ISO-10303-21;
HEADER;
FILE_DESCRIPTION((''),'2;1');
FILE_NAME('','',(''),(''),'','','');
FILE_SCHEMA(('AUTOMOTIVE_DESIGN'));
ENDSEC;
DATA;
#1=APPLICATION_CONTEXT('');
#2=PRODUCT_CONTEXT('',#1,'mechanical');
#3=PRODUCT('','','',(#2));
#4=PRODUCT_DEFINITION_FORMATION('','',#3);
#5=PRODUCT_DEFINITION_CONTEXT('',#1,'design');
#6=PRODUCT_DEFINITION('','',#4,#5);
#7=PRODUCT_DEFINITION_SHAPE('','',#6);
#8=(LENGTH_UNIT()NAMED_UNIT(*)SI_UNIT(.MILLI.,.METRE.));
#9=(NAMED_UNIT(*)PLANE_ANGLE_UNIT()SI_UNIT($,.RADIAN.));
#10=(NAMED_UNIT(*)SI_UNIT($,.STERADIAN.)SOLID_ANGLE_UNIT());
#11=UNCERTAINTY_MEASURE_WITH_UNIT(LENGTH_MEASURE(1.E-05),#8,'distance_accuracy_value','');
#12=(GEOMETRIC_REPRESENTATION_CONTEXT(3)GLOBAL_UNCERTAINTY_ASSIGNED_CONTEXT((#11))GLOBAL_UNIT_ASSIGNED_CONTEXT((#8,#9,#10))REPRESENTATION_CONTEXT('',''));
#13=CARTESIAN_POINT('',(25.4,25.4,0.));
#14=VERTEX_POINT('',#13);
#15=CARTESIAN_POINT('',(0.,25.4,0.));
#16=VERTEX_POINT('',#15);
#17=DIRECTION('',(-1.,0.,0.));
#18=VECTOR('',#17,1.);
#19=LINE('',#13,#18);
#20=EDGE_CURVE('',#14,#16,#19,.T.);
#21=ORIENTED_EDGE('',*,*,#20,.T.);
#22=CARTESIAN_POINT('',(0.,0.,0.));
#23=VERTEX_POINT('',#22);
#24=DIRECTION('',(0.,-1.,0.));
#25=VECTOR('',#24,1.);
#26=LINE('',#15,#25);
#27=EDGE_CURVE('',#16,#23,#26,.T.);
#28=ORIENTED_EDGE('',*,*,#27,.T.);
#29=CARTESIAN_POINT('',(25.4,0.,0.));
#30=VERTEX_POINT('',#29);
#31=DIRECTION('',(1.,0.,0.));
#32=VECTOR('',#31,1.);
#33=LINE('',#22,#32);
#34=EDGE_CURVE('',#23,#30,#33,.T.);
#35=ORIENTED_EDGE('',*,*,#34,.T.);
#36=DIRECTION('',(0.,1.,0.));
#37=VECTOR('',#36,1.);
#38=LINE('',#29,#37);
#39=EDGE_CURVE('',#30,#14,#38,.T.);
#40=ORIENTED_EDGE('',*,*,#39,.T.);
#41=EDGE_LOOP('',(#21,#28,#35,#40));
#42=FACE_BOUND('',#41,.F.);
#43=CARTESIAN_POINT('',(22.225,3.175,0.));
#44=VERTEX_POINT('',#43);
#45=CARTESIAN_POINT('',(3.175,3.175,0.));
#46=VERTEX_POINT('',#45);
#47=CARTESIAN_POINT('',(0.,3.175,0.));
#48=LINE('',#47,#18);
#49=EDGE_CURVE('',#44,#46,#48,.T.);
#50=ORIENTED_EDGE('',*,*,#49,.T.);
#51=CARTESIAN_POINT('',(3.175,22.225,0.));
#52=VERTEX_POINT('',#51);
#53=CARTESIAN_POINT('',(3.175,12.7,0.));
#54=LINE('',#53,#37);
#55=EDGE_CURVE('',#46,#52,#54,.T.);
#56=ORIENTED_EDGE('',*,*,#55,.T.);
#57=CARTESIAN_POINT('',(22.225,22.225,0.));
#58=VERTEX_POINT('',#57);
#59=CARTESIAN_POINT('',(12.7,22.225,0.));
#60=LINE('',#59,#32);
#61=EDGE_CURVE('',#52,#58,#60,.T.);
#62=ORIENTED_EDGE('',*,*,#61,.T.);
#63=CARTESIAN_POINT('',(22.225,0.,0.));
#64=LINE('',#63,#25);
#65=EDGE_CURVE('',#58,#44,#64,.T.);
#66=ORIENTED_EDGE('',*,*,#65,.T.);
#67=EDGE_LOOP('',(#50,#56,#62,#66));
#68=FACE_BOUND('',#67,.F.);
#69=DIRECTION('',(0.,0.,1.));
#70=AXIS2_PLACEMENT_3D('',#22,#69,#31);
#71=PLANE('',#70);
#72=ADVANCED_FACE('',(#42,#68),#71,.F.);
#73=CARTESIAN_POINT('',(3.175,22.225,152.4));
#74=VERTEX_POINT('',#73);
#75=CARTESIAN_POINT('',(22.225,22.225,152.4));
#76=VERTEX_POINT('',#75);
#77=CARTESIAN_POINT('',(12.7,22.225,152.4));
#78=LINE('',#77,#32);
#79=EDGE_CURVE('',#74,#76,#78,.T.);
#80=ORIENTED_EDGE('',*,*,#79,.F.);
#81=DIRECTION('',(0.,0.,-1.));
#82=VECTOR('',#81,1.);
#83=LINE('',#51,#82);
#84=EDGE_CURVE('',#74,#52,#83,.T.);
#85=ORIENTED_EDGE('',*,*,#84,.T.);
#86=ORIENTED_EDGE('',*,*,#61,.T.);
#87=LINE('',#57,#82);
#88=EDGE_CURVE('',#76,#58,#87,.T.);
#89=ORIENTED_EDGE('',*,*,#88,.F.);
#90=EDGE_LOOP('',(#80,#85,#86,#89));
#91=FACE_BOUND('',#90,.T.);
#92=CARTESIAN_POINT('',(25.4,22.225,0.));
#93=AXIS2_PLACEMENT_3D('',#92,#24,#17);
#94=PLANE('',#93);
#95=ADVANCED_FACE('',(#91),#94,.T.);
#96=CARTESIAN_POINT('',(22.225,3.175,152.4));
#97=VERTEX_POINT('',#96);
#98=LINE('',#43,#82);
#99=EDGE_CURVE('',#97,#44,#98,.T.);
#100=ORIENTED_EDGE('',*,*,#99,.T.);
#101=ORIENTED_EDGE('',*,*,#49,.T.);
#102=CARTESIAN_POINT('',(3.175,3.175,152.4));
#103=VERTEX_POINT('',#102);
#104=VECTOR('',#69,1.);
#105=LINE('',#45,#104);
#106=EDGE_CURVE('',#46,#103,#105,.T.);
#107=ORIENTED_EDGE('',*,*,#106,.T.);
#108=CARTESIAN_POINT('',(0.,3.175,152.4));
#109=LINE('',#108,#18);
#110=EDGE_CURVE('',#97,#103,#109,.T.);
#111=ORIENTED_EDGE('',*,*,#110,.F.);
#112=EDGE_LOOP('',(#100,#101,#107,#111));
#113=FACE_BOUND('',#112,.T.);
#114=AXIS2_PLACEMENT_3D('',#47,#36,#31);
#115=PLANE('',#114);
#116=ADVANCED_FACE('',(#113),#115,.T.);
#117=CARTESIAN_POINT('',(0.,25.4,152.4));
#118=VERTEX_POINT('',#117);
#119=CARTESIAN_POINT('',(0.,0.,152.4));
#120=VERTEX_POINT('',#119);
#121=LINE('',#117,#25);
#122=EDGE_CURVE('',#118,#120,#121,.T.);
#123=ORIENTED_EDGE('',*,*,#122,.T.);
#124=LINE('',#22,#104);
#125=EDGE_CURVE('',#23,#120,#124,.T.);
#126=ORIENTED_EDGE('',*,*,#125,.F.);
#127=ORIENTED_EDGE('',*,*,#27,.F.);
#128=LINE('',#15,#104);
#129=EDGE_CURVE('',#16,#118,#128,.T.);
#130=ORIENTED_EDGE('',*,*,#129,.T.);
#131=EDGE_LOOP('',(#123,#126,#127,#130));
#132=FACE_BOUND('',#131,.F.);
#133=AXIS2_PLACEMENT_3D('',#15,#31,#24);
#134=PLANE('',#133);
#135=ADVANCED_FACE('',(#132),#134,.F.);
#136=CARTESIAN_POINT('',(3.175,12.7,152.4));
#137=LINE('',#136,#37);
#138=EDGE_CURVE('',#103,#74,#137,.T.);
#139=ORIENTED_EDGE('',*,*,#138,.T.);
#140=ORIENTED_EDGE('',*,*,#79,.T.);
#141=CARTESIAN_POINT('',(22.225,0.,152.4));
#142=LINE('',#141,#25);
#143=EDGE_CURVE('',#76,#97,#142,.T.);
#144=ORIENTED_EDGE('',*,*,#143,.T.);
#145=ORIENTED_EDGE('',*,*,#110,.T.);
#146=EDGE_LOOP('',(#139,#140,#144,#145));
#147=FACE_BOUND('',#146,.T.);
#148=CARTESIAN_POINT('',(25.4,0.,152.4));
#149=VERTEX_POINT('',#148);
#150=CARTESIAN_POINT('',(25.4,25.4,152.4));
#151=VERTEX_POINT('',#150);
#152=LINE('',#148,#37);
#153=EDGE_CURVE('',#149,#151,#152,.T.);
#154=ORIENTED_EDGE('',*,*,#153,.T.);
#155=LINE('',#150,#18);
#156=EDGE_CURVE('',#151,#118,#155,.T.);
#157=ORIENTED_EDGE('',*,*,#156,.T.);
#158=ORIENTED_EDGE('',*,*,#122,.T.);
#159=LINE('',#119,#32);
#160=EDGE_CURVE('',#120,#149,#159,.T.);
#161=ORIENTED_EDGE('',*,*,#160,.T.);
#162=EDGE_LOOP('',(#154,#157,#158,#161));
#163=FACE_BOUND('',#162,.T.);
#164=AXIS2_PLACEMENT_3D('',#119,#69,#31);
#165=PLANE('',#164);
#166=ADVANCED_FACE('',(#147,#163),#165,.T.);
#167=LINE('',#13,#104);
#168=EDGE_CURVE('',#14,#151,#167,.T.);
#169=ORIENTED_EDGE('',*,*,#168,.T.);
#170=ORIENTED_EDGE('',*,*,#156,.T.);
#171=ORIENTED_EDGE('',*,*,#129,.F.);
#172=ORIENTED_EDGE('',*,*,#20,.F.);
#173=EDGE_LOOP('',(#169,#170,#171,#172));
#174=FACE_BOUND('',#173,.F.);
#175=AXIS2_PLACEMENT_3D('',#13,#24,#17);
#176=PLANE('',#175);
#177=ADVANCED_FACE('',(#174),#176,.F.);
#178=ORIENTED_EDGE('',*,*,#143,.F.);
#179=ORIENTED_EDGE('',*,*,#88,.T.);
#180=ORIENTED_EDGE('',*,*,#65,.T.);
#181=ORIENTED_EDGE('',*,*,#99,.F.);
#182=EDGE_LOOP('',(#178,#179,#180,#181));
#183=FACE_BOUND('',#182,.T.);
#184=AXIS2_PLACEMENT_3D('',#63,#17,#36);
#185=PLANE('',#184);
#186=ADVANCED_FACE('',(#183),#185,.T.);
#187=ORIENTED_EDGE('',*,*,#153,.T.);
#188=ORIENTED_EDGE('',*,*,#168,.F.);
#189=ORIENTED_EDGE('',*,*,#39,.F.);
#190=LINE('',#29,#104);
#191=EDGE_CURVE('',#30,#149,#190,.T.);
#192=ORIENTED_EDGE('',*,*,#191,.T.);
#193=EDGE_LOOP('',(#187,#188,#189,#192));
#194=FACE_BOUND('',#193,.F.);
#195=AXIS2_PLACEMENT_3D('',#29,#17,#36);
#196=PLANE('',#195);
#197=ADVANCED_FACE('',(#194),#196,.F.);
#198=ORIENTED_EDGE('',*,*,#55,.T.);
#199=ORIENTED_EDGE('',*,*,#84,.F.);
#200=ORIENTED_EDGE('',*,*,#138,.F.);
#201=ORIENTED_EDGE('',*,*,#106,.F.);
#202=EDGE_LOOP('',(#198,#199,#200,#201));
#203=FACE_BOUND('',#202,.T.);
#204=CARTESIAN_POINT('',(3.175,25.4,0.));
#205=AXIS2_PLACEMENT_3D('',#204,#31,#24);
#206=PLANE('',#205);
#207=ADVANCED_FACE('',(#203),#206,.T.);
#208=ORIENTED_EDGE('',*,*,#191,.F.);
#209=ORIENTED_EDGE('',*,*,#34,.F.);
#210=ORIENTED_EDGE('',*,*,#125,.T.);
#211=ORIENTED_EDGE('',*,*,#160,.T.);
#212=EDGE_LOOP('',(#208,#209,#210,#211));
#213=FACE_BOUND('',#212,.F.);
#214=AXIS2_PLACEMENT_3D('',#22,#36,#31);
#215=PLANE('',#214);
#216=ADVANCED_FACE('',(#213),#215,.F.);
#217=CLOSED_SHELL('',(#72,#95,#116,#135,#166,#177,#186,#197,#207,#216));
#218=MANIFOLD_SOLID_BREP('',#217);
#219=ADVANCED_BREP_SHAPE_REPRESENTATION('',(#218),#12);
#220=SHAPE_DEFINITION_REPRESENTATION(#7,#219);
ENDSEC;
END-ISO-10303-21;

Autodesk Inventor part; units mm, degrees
ref_plane "YZ Plane" through (0, 0, 0) normal (1, 0, 0) x (0, 1, 0)
ref_plane "XZ Plane" through (0, 0, 0) normal (0, 1, 0) x (-1, 0, 0)
ref_plane "XY Plane" through (0, 0, 0) normal (0, 0, 1) x (1, 0, 0)
sketch "Sketch1" plane through (0, 0, 0) normal (0, 0, 1) x (1, 0, 0)
  line L0 (0, 0) -> (25.4, 0)
  line L1 (25.4, 0) -> (25.4, 25.4)
  line L2 (25.4, 25.4) -> (0, 25.4)
  line L3 (0, 25.4) -> (0, 0)
  dimension "d0" = 25.4
  dimension "d1" = 25.4
extrude "Extrusion1" add sketch "Sketch1" along normal blind 152.4
shell "Shell1" thickness 3.175 removed faces 2 at (16.9333, 8.4667, 0) at (16.9333, 8.4667, 152.4)
properties part number "Frame_ConveyorMountRail" material "Aluminum-6061"
